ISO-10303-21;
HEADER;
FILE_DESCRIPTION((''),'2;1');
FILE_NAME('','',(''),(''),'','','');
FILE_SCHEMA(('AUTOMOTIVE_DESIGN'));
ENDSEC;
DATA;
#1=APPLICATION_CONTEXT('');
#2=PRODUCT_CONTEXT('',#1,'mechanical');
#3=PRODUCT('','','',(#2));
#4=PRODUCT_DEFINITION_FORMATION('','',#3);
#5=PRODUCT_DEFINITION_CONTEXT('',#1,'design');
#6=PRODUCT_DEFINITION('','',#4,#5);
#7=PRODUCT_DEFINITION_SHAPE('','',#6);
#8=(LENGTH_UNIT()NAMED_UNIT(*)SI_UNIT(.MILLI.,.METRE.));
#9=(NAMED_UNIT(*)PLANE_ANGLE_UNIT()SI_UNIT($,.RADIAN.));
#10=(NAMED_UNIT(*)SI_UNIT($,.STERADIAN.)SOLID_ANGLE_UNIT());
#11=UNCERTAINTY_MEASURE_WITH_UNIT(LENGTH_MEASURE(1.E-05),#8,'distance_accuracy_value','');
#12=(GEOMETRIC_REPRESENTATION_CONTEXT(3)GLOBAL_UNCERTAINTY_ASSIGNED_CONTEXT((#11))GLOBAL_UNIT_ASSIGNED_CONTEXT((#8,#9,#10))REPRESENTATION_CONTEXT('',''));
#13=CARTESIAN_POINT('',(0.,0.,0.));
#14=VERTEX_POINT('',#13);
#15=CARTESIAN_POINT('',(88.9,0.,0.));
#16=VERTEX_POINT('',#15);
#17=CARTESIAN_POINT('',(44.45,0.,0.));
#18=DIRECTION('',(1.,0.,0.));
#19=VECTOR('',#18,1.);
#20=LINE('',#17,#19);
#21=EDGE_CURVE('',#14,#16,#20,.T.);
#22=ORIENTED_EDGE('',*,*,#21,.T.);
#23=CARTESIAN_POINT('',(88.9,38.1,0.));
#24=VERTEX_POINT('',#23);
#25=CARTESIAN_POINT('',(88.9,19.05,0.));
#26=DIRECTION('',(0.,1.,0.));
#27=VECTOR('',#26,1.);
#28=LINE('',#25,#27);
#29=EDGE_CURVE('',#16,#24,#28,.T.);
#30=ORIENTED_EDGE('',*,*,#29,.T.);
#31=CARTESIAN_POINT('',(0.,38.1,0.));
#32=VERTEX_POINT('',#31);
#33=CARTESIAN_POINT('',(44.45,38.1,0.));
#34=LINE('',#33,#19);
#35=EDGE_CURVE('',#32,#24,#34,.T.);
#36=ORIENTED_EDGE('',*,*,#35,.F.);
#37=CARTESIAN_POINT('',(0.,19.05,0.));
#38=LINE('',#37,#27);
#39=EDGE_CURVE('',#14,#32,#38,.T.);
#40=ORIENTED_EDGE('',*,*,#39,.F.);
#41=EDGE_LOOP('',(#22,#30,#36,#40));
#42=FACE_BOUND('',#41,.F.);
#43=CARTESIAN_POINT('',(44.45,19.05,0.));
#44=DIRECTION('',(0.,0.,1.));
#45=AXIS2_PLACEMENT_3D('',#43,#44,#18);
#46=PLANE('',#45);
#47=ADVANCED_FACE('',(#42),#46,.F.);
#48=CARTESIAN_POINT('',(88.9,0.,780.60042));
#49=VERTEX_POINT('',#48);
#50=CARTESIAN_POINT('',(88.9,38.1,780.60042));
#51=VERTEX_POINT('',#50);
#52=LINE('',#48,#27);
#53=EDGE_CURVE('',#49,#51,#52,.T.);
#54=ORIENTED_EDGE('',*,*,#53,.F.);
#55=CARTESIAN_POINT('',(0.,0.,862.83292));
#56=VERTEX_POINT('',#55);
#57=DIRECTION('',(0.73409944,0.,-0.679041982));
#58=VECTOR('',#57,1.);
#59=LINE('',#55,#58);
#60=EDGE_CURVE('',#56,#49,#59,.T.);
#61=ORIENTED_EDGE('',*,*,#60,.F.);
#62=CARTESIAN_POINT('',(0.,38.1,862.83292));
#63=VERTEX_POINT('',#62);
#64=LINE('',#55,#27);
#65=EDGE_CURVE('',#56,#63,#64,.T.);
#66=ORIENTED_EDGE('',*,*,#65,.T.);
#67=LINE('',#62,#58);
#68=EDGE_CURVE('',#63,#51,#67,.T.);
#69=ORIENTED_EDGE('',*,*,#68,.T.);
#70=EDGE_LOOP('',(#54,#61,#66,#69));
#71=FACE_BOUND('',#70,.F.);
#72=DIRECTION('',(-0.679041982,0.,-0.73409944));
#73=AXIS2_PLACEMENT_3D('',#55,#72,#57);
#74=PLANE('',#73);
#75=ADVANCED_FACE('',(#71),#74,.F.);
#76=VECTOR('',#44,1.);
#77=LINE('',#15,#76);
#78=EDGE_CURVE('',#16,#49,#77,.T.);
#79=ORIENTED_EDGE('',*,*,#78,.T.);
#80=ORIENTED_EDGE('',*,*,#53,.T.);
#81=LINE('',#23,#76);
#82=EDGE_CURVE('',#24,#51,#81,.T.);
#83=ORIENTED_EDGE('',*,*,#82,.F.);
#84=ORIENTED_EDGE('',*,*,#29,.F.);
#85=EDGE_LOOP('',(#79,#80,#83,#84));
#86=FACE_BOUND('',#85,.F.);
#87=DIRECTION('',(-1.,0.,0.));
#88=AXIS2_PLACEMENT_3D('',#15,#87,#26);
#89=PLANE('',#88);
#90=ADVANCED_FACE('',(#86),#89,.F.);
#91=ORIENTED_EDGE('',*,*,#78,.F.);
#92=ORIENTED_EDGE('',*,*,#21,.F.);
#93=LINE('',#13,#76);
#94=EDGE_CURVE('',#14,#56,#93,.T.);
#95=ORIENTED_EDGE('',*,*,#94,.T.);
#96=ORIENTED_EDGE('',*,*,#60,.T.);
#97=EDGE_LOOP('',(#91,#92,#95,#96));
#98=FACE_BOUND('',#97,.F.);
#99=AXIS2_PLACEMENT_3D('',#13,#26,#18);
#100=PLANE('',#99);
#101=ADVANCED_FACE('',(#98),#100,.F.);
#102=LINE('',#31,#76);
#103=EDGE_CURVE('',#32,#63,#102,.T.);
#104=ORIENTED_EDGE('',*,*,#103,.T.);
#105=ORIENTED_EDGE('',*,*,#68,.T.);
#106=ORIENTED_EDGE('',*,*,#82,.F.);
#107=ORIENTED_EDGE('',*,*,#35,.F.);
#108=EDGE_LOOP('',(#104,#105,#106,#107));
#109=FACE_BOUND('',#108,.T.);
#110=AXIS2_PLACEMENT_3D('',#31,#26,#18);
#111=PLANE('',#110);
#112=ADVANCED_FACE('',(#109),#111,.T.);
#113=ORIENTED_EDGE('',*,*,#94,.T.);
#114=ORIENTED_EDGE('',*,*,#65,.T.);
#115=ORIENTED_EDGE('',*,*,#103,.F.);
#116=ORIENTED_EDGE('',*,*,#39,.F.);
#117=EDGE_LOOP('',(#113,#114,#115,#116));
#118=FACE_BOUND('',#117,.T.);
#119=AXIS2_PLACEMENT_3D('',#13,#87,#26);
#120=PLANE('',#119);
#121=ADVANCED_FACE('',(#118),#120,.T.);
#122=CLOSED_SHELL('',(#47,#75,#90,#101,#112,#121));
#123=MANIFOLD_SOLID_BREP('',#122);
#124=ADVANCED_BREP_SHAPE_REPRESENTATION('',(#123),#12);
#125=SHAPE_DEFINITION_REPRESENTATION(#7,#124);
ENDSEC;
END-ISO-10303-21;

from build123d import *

# Parameters (mm, degrees)
F0_W     = 88.9
F0_H     = 38.1
F1_DEPTH = 901.7
F3_DEPTH = 38.1


with BuildPart() as f1:
    # F0 (on Top) → F1 (new body)
    with BuildSketch(Plane.XY):
        with Locations((44.45, 19.05)):
            Rectangle(F0_W, F0_H)
    extrude(amount=F1_DEPTH)

    # F2 (on face) → F3 (cut)
    with BuildSketch(Plane.XZ):
        Polygon((0, 983.9325), (0, 901.7), (88.9, 901.7), align=None)
        Polygon((88.9, 901.7), (0, 901.7), (0, 862.83292), (88.9, 780.60042), align=None)
    extrude(amount=-F3_DEPTH, mode=Mode.SUBTRACT)


solid = f1.part
